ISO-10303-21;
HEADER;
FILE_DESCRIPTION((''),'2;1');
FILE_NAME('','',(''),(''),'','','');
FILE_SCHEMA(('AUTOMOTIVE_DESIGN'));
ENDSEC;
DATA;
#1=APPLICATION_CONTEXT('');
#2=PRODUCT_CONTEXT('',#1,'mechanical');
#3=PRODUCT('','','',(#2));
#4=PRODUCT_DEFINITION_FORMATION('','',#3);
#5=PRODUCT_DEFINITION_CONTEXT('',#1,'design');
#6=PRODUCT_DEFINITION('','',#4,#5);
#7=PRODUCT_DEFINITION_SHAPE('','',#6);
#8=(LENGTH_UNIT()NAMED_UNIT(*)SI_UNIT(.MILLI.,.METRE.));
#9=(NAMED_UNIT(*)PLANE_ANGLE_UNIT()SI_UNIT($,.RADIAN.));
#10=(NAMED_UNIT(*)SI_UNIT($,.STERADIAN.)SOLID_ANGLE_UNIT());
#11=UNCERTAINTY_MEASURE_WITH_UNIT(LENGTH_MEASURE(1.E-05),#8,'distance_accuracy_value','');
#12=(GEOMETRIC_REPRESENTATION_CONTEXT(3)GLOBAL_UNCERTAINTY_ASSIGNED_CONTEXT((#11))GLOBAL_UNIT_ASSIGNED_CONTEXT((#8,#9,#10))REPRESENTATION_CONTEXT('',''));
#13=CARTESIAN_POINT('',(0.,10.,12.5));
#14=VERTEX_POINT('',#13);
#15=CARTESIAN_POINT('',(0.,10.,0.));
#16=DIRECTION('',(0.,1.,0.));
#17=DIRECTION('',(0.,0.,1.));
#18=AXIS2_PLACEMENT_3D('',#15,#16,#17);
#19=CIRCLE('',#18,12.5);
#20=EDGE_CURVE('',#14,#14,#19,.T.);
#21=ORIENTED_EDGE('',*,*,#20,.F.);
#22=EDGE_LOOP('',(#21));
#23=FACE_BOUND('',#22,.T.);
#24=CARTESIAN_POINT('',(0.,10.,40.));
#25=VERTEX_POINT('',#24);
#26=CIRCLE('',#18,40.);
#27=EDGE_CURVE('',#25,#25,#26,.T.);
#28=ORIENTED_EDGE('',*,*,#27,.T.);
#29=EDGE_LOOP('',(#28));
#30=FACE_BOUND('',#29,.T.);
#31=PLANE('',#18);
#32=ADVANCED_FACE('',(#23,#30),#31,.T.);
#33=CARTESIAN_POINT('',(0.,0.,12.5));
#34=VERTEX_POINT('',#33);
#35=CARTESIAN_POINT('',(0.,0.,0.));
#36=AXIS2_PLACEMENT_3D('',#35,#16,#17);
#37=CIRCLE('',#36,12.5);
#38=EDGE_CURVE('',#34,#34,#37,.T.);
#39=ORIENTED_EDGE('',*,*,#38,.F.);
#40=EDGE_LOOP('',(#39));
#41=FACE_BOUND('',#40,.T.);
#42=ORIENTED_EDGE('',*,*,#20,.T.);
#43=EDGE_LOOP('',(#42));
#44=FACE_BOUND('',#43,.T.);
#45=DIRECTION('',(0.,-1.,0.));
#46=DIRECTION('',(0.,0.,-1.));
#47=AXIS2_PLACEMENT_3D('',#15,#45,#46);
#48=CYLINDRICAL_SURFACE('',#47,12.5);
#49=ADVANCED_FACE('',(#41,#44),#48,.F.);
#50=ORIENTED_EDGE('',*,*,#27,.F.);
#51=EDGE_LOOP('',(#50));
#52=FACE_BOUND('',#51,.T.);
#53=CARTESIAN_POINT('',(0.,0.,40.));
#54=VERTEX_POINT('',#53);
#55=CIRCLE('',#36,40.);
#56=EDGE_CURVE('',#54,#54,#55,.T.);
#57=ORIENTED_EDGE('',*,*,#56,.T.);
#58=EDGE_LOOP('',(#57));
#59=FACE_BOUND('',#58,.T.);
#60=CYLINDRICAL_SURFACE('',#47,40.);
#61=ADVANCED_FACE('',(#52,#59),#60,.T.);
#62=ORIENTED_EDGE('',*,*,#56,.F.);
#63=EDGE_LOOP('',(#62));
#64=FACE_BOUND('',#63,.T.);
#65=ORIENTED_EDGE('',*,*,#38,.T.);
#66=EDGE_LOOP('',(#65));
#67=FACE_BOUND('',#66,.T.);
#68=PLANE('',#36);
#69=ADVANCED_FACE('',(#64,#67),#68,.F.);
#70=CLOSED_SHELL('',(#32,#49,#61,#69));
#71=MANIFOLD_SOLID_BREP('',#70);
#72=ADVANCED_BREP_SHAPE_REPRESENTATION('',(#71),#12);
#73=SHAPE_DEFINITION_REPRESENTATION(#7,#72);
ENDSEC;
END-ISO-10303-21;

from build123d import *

# Parameters (mm, degrees)
SKETCH1_R           = 40
SKETCH1_R_2         = 12.5
BOSS_EXTRUDE1_DEPTH = 10


with BuildPart() as part:
    # Sketch1 → Boss-Extrude1 (new body)
    with BuildSketch(Plane(origin=(0, 0, 0), x_dir=(1, 0, 0), z_dir=(0, 1, 0))):
        with Locations(Location((0, 0, 0), (0, 0, 270))):
            Circle(SKETCH1_R)
        with Locations(Location((0, 0, 0), (0, 0, 270))):
            Circle(SKETCH1_R_2, mode=Mode.SUBTRACT)
    extrude(amount=BOSS_EXTRUDE1_DEPTH)


solid = part.part
